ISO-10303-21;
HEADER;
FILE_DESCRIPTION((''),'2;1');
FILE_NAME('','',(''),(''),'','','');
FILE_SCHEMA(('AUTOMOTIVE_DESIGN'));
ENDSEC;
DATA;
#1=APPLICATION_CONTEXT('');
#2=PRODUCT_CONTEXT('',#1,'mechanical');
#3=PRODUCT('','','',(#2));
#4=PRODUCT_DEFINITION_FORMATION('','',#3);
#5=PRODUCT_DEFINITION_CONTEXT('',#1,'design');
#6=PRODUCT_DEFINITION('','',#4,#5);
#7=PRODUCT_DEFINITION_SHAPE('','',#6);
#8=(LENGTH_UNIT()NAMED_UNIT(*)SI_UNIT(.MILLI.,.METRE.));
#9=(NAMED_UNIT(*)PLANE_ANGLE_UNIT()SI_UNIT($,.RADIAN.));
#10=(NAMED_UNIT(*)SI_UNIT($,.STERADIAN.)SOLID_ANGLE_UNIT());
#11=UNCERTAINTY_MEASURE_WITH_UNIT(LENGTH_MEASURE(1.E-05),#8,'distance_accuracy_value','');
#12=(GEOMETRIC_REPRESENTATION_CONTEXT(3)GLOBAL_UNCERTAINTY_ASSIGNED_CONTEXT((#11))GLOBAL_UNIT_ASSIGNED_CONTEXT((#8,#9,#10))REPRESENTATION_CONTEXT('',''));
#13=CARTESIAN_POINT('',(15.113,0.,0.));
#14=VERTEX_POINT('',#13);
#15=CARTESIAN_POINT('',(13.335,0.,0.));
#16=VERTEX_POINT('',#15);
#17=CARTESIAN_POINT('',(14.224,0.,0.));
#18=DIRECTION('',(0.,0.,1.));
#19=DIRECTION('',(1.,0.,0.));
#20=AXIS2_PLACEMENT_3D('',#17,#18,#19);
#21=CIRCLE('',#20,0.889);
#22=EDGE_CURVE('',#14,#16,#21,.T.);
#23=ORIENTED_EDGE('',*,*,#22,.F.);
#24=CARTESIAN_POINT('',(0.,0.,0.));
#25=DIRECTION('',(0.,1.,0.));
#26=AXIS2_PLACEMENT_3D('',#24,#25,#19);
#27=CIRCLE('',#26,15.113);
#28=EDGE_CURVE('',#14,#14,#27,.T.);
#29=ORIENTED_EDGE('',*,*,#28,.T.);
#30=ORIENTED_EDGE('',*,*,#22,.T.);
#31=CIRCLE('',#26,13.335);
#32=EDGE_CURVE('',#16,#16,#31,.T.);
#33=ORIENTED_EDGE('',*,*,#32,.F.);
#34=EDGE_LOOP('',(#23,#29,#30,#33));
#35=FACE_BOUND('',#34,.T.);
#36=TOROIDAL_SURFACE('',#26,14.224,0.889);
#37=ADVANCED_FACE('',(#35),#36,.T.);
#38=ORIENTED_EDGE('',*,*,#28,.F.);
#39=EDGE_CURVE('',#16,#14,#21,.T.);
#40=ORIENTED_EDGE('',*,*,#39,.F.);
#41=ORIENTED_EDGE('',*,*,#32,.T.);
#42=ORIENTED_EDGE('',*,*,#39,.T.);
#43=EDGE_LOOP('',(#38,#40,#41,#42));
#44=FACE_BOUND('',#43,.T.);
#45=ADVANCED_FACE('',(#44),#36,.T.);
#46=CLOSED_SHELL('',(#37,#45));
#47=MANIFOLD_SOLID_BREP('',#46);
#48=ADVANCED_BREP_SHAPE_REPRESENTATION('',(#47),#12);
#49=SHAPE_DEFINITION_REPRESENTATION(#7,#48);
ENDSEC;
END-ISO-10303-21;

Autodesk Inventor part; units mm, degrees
ref_plane "YZ Plane" through (0, 0, 0) normal (1, 0, 0) x (0, 1, 0)
ref_plane "XZ Plane" through (0, 0, 0) normal (0, 1, 0) x (-1, 0, 0)
ref_plane "XY Plane" through (0, 0, 0) normal (0, 0, 1) x (1, 0, 0)
sketch "Sketch1" plane through (0, 0, 0) normal (0, 0, 1) x (1, 0, 0)
  circle A0 centre (14.224, 0) radius 0.889
  line L0 (13.335, 5.9933) -> (13.335, -5.58) construction
  line L1 (-3.0226, 0) -> (18.1356, 0) projected
  line L2 (0, -7.8947) -> (0, 8.308) projected
  point P0 (0, 0)
  dimension "d0" = 1.778
  dimension "d1" = 13.335
revolve "Revolution1" add sketch "Sketch1" angle 360 about axis through (0, -10, 0) along (0, 1, 0)
properties part number "2-023" material "Rubber"
